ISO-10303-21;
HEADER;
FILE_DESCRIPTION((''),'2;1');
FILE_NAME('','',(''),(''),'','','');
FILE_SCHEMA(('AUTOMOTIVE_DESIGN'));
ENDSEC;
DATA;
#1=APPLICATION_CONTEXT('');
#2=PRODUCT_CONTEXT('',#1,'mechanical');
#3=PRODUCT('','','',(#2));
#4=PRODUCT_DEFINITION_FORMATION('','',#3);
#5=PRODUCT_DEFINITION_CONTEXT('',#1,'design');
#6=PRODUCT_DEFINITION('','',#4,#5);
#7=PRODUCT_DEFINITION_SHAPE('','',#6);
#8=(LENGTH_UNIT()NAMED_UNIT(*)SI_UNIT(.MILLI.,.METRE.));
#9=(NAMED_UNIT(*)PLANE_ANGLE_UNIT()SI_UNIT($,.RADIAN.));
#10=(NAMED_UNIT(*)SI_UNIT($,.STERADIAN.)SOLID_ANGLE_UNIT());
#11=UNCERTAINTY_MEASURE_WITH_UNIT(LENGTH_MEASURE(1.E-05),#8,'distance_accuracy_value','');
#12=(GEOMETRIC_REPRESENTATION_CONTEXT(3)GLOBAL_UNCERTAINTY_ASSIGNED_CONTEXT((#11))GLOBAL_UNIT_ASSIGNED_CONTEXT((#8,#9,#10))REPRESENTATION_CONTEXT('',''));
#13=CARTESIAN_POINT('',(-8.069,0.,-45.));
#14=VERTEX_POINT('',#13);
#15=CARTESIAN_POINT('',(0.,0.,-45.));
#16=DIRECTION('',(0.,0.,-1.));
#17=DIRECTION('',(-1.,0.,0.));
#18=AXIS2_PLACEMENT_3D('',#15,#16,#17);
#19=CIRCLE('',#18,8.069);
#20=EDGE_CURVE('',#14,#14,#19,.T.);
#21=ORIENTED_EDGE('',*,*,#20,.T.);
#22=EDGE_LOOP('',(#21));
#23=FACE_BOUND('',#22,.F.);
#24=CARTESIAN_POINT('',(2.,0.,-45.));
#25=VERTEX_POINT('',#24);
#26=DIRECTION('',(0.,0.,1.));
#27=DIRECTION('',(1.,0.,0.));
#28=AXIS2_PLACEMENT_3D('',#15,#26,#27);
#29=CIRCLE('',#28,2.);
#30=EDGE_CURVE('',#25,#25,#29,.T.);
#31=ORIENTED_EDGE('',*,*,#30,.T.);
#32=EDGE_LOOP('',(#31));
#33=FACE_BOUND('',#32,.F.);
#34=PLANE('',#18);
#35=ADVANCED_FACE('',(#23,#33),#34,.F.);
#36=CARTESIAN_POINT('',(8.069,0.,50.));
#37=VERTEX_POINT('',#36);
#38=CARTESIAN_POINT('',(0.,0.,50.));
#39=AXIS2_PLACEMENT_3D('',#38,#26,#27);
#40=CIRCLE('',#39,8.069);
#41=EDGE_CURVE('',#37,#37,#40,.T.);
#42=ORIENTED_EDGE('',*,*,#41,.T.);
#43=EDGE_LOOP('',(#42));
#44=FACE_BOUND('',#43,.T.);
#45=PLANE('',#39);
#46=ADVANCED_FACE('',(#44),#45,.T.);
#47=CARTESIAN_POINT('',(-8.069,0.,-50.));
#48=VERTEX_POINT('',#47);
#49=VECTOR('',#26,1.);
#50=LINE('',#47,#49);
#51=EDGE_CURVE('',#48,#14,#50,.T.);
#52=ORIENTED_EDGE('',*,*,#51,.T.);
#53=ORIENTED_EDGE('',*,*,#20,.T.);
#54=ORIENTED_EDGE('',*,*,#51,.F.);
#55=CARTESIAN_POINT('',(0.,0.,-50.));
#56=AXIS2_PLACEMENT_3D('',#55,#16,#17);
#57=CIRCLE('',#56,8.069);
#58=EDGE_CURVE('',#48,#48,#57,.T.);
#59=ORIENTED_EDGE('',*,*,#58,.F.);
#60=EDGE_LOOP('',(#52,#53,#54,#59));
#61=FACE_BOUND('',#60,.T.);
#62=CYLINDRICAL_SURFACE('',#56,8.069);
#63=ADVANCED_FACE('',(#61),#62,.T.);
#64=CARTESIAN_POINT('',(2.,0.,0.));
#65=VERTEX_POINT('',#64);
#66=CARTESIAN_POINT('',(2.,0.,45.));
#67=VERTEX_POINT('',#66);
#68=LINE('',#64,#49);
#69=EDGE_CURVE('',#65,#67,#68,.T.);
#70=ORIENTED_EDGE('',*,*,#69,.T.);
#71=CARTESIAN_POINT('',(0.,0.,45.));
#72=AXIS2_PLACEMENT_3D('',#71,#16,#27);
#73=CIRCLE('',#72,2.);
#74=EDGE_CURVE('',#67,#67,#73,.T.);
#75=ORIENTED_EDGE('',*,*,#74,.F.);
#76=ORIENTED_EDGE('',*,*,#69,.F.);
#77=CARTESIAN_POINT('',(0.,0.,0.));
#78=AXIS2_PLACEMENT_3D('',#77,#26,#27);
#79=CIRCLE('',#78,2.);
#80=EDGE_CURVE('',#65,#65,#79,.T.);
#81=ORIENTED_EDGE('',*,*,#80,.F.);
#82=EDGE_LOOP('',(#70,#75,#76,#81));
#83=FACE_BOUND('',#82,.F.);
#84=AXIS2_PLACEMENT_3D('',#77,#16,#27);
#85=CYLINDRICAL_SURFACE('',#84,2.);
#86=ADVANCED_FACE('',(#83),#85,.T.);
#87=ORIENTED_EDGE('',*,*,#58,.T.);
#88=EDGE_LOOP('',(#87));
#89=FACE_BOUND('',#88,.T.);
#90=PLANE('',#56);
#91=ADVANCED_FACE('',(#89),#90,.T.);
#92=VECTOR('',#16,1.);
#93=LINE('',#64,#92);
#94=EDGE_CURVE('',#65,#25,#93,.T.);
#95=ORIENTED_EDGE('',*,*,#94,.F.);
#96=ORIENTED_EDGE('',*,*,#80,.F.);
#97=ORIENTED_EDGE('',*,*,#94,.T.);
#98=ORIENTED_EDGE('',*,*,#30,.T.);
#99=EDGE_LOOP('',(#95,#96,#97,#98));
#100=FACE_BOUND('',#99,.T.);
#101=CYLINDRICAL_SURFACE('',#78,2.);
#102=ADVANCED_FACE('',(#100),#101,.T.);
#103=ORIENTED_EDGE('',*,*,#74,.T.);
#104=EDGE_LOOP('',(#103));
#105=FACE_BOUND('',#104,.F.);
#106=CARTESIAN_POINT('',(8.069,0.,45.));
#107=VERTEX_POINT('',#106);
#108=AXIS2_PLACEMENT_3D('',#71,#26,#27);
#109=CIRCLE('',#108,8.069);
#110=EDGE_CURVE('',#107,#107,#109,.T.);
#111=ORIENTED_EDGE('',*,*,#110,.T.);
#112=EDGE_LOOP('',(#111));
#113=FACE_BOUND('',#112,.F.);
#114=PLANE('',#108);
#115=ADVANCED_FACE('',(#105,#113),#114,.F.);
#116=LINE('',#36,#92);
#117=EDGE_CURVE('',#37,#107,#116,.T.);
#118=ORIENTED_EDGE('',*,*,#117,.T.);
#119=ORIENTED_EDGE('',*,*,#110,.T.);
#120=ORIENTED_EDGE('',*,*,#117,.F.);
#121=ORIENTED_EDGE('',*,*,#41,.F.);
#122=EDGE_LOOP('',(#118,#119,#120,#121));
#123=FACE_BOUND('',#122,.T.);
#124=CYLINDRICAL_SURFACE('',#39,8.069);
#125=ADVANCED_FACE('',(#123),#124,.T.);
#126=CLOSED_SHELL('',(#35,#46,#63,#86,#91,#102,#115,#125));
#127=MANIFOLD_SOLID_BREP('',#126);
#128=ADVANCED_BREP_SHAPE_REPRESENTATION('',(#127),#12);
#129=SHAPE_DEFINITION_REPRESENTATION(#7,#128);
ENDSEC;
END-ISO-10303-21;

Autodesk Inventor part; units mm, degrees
ref_plane "YZ Plane" through (0, 0, 0) normal (1, 0, 0) x (0, 1, 0)
ref_plane "XZ Plane" through (0, 0, 0) normal (0, 1, 0) x (-1, 0, 0)
ref_plane "XY Plane" through (0, 0, 0) normal (0, 0, 1) x (1, 0, 0)
sketch "Sketch1" plane through (0, 0, 0) normal (0, 0, 1) x (1, 0, 0)
  circle A0 centre (0, 0) radius 2
  dimension "d0" = 4
extrude "Extrusion1" add sketch "Sketch1" along normal mid plane 100
sketch "Sketch2" plane through (0, 0, 50) normal (0, 0, 1) x (1, 0, 0)
  circle A0 centre (0, 0) radius 8.069
extrude "Extrusion2" add sketch "Sketch2" against normal blind 5
sketch "Sketch3" plane through (0, 0, -50) normal (0, 0, -1) x (-1, 0, 0)
  circle A0 centre (0, 0) radius 8.069
extrude "Extrusion3" add sketch "Sketch3" against normal blind 5
properties part number "weights"
